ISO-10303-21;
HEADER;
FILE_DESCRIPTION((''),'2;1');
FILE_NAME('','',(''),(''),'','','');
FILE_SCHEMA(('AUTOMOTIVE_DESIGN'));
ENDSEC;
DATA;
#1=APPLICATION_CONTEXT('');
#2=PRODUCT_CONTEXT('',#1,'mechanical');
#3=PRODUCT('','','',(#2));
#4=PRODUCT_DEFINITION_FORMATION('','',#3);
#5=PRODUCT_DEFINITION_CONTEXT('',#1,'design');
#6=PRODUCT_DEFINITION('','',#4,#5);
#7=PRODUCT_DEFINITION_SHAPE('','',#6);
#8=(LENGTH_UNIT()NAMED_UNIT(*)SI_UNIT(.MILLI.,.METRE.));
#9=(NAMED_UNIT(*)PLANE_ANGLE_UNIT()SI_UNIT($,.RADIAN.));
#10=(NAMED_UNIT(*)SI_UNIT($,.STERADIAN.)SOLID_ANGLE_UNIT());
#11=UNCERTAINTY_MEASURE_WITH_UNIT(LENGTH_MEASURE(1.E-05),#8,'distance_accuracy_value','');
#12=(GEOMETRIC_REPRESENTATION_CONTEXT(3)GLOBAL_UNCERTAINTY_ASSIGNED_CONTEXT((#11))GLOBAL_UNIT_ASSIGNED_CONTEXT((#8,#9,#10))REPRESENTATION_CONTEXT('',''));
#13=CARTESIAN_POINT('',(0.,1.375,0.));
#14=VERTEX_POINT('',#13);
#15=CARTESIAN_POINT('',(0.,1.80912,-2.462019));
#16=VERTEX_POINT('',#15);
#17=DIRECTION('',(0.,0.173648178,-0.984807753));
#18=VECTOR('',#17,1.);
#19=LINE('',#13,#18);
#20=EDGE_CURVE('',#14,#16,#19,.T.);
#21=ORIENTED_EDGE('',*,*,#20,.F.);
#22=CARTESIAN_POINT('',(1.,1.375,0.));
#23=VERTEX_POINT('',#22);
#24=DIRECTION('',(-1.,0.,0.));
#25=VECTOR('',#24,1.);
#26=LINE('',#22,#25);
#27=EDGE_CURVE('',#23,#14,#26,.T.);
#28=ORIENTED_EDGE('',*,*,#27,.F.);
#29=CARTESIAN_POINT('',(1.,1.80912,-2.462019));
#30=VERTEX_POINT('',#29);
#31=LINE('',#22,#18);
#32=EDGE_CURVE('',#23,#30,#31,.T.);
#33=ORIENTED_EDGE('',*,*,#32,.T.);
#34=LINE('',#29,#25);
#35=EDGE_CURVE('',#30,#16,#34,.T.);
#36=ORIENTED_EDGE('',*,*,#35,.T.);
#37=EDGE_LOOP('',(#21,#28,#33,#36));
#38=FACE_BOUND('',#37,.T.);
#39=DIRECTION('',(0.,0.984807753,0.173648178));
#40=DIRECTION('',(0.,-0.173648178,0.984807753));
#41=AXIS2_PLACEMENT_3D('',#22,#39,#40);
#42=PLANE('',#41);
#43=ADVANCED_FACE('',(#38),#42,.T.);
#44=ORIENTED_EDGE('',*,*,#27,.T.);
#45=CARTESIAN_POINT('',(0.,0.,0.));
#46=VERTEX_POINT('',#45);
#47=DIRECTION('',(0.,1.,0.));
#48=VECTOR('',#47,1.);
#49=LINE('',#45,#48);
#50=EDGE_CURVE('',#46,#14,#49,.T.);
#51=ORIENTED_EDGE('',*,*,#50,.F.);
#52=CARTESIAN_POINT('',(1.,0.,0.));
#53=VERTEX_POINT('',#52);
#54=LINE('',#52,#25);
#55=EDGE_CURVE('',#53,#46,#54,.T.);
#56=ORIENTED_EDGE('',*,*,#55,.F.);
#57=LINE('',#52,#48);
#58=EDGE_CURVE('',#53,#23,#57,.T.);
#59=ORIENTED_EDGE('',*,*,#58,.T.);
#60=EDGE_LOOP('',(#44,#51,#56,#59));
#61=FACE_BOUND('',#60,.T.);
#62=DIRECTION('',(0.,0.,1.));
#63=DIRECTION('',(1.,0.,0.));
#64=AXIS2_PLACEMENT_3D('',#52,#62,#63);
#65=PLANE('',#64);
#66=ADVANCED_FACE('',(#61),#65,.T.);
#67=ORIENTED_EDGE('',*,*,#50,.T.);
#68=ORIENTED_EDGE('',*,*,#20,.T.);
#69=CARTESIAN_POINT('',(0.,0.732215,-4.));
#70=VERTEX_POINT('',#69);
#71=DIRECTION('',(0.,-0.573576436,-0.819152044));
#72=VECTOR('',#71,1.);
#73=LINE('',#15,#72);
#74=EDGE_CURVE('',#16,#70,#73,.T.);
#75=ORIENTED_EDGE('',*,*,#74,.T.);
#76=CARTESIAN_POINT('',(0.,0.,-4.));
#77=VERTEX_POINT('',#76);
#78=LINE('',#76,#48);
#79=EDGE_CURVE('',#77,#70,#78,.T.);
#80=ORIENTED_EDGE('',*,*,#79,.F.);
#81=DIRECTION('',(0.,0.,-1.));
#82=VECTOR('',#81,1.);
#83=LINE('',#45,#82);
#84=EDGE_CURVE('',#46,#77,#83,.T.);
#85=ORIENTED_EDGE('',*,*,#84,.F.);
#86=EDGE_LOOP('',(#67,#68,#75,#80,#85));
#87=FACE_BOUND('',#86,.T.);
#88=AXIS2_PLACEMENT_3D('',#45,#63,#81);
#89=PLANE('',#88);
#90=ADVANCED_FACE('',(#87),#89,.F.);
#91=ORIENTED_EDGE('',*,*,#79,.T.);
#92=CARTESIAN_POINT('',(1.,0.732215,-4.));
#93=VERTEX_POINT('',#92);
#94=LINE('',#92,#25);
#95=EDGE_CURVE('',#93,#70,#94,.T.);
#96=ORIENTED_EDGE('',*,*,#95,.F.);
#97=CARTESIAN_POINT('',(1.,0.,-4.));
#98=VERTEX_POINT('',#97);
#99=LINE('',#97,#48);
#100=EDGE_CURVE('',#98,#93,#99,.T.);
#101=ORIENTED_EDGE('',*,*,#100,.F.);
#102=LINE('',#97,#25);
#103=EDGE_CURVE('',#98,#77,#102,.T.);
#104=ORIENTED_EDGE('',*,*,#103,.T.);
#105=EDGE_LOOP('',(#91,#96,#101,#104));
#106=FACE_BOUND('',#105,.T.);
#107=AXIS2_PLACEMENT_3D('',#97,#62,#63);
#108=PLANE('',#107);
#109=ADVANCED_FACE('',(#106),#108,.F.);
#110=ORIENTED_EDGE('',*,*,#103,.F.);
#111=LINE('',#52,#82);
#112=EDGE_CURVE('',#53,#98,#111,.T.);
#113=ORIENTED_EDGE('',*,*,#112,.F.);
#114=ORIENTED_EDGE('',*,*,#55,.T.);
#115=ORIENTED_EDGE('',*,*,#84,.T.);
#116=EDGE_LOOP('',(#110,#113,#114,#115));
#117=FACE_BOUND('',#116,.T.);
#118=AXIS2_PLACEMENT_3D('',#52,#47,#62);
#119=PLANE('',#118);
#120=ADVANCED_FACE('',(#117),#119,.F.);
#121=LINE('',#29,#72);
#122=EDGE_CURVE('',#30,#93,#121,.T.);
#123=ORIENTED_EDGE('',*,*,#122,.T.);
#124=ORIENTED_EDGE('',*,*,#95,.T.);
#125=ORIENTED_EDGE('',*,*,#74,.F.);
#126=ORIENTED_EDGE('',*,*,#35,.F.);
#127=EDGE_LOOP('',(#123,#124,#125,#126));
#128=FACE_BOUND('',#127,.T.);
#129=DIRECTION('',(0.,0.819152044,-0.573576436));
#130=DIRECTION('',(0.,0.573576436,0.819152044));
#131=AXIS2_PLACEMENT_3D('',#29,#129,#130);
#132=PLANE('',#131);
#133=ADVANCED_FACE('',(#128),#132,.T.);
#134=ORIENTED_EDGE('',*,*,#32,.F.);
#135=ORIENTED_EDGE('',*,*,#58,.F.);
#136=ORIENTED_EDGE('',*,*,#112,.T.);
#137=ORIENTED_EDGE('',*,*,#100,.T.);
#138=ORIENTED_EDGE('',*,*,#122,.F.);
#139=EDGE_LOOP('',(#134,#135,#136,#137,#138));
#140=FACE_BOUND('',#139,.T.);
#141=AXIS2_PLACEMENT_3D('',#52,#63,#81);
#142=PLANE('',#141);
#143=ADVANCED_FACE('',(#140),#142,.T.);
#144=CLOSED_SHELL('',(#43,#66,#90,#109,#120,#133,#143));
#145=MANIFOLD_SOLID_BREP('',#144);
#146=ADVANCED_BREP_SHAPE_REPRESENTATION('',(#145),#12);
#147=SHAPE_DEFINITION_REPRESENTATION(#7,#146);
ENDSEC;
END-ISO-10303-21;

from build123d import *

# Parameters (mm, degrees)
BOSS_EXTRUDE1_DEPTH = 1


with BuildPart() as part:
    # Sketch2 → Boss-Extrude1 (new body)
    with BuildSketch(Plane(origin=(0, 0, 0), x_dir=(0, 0, -1), z_dir=(1, 0, 0))):
        Polygon((0, 0), (4, 0), (4, 0.732214822), (2.462019383, 1.809120444), (0, 1.375), align=None)
    extrude(amount=BOSS_EXTRUDE1_DEPTH)


solid = part.part
